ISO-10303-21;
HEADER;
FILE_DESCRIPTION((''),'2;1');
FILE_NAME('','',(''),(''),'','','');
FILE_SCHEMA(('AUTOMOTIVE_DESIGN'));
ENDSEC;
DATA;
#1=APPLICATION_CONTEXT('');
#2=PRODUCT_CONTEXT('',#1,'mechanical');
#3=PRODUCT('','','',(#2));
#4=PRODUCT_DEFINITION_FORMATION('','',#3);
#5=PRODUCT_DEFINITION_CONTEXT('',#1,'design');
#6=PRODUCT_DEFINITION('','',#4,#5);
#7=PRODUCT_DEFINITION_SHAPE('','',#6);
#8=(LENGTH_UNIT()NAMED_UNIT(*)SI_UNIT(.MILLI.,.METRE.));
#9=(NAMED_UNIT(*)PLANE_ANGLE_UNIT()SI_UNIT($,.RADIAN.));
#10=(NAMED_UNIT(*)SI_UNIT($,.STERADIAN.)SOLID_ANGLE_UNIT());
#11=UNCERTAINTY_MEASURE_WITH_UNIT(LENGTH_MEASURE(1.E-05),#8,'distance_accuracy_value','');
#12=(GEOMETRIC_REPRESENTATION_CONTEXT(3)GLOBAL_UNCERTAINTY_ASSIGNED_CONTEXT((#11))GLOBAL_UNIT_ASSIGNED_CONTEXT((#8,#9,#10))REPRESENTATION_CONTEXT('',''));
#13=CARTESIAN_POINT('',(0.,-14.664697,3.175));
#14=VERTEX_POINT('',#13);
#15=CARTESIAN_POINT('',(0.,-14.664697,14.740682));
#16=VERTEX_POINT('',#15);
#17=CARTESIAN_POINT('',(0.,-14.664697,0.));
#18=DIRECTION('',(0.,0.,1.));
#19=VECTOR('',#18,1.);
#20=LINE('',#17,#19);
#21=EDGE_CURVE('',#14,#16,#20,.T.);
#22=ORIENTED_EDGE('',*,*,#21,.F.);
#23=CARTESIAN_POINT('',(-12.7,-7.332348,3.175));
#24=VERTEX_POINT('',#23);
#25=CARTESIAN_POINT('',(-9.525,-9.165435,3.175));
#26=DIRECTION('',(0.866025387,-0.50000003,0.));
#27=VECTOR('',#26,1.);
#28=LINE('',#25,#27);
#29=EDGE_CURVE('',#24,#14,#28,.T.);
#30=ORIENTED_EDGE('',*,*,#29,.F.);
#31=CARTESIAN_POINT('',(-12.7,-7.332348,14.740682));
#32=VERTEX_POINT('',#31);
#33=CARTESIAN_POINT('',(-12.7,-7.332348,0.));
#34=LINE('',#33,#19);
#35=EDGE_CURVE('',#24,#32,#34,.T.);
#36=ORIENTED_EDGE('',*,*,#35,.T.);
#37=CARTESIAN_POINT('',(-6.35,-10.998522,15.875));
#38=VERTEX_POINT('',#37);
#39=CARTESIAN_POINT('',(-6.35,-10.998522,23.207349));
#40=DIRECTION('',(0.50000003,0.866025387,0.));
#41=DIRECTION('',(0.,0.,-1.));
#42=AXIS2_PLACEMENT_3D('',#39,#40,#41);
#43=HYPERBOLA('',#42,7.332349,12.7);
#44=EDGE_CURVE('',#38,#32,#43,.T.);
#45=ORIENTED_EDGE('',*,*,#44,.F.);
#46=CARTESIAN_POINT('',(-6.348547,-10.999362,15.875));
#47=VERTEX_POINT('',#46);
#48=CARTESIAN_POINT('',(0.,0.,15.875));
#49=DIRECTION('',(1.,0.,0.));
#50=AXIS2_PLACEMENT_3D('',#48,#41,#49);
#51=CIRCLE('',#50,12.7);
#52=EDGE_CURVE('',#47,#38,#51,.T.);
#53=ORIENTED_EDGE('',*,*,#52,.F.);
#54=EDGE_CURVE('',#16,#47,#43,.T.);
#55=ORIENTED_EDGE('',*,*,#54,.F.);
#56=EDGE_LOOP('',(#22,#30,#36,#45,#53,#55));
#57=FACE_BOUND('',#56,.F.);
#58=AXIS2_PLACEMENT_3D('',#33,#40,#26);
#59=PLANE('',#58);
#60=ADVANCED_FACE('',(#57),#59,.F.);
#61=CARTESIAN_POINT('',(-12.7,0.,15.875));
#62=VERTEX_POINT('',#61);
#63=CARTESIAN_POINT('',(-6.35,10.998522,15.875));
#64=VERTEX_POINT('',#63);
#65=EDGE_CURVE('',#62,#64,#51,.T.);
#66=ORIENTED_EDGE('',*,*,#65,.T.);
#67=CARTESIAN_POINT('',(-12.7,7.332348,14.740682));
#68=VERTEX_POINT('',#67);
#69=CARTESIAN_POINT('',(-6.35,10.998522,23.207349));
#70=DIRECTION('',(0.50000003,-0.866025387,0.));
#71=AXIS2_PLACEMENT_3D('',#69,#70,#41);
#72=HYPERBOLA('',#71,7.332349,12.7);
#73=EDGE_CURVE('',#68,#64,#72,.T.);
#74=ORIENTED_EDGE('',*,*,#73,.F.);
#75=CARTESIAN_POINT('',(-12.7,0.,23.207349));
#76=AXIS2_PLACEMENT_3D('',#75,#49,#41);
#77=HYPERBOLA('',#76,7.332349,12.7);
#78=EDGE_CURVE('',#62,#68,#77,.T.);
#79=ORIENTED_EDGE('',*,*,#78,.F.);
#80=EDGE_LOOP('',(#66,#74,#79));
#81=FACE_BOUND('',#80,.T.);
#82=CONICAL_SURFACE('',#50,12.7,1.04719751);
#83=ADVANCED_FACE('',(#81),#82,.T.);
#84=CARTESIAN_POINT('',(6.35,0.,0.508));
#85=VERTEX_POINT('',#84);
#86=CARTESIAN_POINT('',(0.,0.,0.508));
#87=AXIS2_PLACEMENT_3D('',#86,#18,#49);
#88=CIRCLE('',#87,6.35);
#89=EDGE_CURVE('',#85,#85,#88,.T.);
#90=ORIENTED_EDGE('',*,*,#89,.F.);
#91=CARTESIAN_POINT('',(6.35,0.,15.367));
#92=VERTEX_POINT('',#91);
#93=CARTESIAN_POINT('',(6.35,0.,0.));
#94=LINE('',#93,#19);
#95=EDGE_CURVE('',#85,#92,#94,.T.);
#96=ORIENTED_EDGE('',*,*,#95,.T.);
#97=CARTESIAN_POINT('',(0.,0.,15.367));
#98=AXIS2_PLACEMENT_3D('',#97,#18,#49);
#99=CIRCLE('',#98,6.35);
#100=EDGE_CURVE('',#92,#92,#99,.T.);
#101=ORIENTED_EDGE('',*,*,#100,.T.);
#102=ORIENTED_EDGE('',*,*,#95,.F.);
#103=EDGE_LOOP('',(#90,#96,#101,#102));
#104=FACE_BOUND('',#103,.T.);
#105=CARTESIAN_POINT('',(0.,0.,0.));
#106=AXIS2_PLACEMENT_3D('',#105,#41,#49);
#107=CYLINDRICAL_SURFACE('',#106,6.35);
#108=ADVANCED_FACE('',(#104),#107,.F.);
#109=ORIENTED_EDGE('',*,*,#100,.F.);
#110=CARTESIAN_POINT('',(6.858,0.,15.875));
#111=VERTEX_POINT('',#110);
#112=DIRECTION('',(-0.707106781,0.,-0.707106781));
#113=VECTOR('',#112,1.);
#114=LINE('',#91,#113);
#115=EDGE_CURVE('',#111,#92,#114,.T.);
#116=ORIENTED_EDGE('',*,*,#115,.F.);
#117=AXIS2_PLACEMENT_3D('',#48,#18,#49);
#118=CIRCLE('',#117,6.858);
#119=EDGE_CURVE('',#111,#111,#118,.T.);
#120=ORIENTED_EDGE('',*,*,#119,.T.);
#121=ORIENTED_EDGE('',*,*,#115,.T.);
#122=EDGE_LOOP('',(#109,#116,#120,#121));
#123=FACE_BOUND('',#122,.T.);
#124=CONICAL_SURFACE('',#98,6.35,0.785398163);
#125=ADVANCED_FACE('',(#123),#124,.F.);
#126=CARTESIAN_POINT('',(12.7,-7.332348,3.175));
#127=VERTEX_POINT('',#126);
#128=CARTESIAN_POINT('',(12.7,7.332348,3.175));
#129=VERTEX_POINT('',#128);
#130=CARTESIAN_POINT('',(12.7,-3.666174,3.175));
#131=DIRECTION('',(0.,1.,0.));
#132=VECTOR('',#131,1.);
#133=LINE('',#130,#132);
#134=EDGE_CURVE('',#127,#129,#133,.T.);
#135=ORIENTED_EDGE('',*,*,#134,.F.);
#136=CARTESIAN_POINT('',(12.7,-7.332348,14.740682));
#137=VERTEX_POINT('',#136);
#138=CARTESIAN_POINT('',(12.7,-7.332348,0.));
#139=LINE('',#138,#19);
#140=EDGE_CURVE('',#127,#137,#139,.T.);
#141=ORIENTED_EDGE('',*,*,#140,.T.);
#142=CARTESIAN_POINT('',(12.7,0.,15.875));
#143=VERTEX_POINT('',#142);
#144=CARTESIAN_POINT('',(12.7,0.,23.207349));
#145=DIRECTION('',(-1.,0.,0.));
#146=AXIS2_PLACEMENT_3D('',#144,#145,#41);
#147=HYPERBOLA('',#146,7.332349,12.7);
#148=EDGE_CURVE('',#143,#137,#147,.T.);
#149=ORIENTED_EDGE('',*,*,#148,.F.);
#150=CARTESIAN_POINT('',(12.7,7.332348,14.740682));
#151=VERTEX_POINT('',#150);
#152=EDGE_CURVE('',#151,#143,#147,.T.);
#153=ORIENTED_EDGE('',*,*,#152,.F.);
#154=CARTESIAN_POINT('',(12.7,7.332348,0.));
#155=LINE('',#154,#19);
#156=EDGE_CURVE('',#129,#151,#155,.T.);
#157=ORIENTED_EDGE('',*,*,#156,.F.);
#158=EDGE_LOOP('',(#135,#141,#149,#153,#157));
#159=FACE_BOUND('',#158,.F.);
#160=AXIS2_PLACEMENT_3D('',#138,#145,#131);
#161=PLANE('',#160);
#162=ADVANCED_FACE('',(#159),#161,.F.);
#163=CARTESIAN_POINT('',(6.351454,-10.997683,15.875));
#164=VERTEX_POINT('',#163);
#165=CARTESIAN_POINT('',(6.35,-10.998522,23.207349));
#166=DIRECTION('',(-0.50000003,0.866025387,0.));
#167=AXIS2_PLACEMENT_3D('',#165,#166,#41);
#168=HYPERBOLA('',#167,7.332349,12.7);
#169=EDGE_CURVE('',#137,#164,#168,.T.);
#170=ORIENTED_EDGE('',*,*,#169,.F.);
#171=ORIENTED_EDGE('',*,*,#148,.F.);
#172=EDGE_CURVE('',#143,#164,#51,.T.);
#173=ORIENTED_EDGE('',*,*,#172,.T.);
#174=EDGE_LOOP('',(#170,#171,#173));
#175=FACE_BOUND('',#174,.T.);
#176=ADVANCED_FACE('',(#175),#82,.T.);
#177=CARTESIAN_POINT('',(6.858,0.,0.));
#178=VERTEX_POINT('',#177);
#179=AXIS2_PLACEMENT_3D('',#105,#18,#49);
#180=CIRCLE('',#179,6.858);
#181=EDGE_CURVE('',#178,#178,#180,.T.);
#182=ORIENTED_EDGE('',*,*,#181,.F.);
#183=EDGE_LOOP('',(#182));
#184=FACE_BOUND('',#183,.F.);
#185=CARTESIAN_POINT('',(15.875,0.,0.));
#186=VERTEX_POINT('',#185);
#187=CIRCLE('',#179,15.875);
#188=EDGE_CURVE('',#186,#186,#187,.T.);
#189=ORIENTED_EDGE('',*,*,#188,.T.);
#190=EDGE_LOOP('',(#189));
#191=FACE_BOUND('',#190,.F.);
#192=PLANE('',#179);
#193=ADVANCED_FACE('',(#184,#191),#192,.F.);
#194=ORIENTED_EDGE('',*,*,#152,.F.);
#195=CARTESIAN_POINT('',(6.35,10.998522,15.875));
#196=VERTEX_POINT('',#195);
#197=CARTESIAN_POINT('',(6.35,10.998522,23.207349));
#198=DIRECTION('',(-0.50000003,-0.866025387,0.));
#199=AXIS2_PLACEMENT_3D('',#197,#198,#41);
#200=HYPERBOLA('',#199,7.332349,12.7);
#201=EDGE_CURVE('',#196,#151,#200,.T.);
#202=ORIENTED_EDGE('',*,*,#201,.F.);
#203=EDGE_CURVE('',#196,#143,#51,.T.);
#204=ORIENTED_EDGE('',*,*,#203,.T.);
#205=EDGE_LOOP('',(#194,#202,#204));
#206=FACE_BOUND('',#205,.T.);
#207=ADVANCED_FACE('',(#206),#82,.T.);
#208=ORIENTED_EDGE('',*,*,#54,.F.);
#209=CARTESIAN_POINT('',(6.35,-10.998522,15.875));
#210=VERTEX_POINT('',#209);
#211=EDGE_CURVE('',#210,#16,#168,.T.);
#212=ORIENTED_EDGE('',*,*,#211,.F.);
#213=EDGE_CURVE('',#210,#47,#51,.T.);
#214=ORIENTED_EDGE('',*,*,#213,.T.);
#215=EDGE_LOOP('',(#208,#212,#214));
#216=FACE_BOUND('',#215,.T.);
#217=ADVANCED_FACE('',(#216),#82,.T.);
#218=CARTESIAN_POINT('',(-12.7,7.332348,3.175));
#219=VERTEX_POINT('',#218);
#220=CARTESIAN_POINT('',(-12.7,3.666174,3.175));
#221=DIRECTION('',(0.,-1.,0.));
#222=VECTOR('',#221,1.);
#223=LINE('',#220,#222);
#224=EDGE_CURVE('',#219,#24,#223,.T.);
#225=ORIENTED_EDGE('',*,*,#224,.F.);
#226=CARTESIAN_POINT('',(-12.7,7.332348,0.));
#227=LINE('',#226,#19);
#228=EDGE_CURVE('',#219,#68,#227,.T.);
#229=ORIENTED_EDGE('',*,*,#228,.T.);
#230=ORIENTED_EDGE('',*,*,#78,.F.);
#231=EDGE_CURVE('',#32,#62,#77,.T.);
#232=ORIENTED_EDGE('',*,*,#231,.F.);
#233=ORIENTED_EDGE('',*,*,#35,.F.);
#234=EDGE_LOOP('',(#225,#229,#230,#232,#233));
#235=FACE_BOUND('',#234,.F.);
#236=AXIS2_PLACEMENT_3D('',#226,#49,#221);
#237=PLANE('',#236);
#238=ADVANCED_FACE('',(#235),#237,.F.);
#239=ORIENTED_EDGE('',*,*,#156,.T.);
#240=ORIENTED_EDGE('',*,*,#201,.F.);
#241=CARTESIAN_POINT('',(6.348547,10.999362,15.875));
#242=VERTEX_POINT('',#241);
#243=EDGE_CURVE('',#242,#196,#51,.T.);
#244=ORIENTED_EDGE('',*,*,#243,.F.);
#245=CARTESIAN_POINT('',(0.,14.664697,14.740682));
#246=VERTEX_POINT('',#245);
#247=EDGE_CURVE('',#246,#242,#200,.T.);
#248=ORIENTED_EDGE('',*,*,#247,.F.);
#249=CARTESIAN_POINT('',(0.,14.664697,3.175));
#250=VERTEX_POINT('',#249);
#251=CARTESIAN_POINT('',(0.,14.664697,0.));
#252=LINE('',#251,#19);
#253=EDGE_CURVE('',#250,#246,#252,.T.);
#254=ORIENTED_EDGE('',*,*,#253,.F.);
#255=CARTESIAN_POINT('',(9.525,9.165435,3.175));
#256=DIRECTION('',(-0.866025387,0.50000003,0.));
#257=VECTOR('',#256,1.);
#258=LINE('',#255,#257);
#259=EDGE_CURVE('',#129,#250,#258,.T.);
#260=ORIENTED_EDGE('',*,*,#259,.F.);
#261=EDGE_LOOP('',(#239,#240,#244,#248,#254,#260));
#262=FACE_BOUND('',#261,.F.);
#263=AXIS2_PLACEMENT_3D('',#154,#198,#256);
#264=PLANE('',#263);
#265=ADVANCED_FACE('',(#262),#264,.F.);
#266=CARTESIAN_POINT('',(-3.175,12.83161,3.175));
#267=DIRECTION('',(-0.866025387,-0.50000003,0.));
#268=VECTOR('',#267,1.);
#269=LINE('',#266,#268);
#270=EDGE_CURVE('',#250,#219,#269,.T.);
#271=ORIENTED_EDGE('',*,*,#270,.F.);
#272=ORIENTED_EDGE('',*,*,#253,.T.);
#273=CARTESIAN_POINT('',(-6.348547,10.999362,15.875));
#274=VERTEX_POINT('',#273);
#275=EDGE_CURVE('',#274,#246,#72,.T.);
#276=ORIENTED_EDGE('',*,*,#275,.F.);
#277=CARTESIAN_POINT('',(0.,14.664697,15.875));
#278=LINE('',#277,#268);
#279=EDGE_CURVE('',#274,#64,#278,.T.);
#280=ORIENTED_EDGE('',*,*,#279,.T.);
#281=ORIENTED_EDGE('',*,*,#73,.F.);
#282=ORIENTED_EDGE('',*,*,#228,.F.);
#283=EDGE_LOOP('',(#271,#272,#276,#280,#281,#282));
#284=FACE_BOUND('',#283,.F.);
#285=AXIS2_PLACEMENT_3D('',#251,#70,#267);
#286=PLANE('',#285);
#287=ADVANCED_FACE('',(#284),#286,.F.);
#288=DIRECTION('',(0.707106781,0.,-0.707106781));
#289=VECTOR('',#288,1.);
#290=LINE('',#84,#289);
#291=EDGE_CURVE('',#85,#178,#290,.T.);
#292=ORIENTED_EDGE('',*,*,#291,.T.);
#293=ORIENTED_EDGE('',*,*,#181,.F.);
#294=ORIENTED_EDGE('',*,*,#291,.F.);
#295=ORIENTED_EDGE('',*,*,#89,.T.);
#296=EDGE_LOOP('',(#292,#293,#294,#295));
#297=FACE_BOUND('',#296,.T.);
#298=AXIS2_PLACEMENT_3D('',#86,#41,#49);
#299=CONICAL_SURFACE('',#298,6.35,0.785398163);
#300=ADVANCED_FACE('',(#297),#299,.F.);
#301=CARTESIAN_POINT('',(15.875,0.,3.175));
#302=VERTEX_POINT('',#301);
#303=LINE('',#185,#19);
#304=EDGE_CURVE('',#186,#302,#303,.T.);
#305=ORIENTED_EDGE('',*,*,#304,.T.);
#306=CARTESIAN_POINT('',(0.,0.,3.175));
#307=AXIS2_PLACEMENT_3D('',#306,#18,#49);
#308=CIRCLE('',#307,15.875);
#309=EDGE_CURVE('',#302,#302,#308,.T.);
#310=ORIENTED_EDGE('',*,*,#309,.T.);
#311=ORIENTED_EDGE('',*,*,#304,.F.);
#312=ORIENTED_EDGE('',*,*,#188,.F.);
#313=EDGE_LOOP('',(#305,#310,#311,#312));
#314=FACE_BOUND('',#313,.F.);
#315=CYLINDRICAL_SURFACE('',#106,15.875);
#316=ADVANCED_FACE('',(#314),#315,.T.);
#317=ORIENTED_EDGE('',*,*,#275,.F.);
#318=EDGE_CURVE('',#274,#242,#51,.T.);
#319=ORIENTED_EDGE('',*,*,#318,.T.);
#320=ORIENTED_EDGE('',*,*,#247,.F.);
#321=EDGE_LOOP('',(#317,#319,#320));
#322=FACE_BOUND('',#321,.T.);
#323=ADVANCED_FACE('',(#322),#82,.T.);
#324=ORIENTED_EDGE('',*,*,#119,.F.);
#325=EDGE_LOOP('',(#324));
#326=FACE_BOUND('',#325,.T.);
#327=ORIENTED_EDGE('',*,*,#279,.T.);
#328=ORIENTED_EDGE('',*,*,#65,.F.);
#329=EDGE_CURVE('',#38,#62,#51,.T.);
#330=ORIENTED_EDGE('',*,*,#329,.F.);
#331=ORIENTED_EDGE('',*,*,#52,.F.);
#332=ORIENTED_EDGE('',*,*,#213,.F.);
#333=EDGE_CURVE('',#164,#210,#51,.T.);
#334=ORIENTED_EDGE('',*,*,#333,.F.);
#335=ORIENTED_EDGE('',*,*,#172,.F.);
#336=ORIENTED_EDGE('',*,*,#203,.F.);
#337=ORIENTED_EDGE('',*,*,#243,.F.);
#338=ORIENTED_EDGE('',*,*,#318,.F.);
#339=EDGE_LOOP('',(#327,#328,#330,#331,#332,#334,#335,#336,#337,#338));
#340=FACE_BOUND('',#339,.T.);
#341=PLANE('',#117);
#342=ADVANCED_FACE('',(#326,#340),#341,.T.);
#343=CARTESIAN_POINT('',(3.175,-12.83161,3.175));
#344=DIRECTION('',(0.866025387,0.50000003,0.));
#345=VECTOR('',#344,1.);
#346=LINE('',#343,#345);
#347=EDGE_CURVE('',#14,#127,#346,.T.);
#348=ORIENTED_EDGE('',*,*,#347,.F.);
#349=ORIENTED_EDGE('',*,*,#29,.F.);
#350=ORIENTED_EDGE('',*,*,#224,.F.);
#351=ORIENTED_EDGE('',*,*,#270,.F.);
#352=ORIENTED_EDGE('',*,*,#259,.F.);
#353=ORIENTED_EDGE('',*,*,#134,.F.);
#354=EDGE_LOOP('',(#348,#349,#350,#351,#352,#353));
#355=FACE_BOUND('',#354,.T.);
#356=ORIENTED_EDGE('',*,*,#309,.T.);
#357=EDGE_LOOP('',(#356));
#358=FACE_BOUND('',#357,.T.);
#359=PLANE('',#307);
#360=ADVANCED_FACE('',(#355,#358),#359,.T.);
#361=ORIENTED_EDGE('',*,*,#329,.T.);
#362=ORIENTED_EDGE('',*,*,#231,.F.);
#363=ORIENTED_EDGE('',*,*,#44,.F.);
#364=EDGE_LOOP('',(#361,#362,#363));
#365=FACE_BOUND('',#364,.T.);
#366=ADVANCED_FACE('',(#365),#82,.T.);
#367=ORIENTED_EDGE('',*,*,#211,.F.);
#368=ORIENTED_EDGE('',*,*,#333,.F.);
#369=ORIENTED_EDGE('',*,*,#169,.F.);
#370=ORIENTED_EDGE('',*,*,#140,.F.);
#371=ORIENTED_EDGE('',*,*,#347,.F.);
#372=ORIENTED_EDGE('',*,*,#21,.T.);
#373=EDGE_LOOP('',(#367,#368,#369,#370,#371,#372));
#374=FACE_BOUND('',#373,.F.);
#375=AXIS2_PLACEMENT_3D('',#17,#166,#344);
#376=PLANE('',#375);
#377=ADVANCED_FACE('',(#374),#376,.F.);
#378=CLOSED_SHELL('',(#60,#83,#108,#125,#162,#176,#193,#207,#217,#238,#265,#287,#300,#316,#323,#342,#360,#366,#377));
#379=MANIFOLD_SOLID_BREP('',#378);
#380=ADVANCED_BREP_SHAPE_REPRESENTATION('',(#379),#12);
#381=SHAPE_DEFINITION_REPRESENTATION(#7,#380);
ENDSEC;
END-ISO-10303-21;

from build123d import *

# Parameters (mm, degrees)
F0_R     = 6.35
F1_DEPTH = 15.875
F4_R     = 15.875
F4_R_2   = 6.35
F5_DEPTH = 3.175
F6_SIZE  = 0.508


with BuildPart() as f1:
    # F0 (on Top) → F1 (new body)
    with BuildSketch(Plane.XY):
        Polygon((12.7, -7.332348), (12.7, 7.332348), (0, 14.664697), (-12.7, 7.332348), (-12.7, -7.332348), (0, -14.664697), align=None)
        Circle(F0_R, mode=Mode.SUBTRACT)
    extrude(amount=F1_DEPTH)

    # F2 (on Front) → F3 (revolve, cut)
    with BuildSketch(Plane.XZ):
        Polygon((16.705426, 15.875), (12.7, 15.875), (16.705426, 13.562466), align=None)
    revolve(axis=Axis((0, 0, 7.953254), (0, 0, -1)), mode=Mode.SUBTRACT)

    # F4 (on Top) → F5 (join)
    with BuildSketch(Plane.XY):
        Circle(F4_R)
        Circle(F4_R_2, mode=Mode.SUBTRACT)
    extrude(amount=F5_DEPTH)

    # F6
    f6_edges = [f1.edges().sort_by_distance(p)[0] for p in [
        (-6.35, 0, 0),
        (-6.35, 0, 15.875),
    ]]
    chamfer(f6_edges, length=F6_SIZE)


solid = f1.part
